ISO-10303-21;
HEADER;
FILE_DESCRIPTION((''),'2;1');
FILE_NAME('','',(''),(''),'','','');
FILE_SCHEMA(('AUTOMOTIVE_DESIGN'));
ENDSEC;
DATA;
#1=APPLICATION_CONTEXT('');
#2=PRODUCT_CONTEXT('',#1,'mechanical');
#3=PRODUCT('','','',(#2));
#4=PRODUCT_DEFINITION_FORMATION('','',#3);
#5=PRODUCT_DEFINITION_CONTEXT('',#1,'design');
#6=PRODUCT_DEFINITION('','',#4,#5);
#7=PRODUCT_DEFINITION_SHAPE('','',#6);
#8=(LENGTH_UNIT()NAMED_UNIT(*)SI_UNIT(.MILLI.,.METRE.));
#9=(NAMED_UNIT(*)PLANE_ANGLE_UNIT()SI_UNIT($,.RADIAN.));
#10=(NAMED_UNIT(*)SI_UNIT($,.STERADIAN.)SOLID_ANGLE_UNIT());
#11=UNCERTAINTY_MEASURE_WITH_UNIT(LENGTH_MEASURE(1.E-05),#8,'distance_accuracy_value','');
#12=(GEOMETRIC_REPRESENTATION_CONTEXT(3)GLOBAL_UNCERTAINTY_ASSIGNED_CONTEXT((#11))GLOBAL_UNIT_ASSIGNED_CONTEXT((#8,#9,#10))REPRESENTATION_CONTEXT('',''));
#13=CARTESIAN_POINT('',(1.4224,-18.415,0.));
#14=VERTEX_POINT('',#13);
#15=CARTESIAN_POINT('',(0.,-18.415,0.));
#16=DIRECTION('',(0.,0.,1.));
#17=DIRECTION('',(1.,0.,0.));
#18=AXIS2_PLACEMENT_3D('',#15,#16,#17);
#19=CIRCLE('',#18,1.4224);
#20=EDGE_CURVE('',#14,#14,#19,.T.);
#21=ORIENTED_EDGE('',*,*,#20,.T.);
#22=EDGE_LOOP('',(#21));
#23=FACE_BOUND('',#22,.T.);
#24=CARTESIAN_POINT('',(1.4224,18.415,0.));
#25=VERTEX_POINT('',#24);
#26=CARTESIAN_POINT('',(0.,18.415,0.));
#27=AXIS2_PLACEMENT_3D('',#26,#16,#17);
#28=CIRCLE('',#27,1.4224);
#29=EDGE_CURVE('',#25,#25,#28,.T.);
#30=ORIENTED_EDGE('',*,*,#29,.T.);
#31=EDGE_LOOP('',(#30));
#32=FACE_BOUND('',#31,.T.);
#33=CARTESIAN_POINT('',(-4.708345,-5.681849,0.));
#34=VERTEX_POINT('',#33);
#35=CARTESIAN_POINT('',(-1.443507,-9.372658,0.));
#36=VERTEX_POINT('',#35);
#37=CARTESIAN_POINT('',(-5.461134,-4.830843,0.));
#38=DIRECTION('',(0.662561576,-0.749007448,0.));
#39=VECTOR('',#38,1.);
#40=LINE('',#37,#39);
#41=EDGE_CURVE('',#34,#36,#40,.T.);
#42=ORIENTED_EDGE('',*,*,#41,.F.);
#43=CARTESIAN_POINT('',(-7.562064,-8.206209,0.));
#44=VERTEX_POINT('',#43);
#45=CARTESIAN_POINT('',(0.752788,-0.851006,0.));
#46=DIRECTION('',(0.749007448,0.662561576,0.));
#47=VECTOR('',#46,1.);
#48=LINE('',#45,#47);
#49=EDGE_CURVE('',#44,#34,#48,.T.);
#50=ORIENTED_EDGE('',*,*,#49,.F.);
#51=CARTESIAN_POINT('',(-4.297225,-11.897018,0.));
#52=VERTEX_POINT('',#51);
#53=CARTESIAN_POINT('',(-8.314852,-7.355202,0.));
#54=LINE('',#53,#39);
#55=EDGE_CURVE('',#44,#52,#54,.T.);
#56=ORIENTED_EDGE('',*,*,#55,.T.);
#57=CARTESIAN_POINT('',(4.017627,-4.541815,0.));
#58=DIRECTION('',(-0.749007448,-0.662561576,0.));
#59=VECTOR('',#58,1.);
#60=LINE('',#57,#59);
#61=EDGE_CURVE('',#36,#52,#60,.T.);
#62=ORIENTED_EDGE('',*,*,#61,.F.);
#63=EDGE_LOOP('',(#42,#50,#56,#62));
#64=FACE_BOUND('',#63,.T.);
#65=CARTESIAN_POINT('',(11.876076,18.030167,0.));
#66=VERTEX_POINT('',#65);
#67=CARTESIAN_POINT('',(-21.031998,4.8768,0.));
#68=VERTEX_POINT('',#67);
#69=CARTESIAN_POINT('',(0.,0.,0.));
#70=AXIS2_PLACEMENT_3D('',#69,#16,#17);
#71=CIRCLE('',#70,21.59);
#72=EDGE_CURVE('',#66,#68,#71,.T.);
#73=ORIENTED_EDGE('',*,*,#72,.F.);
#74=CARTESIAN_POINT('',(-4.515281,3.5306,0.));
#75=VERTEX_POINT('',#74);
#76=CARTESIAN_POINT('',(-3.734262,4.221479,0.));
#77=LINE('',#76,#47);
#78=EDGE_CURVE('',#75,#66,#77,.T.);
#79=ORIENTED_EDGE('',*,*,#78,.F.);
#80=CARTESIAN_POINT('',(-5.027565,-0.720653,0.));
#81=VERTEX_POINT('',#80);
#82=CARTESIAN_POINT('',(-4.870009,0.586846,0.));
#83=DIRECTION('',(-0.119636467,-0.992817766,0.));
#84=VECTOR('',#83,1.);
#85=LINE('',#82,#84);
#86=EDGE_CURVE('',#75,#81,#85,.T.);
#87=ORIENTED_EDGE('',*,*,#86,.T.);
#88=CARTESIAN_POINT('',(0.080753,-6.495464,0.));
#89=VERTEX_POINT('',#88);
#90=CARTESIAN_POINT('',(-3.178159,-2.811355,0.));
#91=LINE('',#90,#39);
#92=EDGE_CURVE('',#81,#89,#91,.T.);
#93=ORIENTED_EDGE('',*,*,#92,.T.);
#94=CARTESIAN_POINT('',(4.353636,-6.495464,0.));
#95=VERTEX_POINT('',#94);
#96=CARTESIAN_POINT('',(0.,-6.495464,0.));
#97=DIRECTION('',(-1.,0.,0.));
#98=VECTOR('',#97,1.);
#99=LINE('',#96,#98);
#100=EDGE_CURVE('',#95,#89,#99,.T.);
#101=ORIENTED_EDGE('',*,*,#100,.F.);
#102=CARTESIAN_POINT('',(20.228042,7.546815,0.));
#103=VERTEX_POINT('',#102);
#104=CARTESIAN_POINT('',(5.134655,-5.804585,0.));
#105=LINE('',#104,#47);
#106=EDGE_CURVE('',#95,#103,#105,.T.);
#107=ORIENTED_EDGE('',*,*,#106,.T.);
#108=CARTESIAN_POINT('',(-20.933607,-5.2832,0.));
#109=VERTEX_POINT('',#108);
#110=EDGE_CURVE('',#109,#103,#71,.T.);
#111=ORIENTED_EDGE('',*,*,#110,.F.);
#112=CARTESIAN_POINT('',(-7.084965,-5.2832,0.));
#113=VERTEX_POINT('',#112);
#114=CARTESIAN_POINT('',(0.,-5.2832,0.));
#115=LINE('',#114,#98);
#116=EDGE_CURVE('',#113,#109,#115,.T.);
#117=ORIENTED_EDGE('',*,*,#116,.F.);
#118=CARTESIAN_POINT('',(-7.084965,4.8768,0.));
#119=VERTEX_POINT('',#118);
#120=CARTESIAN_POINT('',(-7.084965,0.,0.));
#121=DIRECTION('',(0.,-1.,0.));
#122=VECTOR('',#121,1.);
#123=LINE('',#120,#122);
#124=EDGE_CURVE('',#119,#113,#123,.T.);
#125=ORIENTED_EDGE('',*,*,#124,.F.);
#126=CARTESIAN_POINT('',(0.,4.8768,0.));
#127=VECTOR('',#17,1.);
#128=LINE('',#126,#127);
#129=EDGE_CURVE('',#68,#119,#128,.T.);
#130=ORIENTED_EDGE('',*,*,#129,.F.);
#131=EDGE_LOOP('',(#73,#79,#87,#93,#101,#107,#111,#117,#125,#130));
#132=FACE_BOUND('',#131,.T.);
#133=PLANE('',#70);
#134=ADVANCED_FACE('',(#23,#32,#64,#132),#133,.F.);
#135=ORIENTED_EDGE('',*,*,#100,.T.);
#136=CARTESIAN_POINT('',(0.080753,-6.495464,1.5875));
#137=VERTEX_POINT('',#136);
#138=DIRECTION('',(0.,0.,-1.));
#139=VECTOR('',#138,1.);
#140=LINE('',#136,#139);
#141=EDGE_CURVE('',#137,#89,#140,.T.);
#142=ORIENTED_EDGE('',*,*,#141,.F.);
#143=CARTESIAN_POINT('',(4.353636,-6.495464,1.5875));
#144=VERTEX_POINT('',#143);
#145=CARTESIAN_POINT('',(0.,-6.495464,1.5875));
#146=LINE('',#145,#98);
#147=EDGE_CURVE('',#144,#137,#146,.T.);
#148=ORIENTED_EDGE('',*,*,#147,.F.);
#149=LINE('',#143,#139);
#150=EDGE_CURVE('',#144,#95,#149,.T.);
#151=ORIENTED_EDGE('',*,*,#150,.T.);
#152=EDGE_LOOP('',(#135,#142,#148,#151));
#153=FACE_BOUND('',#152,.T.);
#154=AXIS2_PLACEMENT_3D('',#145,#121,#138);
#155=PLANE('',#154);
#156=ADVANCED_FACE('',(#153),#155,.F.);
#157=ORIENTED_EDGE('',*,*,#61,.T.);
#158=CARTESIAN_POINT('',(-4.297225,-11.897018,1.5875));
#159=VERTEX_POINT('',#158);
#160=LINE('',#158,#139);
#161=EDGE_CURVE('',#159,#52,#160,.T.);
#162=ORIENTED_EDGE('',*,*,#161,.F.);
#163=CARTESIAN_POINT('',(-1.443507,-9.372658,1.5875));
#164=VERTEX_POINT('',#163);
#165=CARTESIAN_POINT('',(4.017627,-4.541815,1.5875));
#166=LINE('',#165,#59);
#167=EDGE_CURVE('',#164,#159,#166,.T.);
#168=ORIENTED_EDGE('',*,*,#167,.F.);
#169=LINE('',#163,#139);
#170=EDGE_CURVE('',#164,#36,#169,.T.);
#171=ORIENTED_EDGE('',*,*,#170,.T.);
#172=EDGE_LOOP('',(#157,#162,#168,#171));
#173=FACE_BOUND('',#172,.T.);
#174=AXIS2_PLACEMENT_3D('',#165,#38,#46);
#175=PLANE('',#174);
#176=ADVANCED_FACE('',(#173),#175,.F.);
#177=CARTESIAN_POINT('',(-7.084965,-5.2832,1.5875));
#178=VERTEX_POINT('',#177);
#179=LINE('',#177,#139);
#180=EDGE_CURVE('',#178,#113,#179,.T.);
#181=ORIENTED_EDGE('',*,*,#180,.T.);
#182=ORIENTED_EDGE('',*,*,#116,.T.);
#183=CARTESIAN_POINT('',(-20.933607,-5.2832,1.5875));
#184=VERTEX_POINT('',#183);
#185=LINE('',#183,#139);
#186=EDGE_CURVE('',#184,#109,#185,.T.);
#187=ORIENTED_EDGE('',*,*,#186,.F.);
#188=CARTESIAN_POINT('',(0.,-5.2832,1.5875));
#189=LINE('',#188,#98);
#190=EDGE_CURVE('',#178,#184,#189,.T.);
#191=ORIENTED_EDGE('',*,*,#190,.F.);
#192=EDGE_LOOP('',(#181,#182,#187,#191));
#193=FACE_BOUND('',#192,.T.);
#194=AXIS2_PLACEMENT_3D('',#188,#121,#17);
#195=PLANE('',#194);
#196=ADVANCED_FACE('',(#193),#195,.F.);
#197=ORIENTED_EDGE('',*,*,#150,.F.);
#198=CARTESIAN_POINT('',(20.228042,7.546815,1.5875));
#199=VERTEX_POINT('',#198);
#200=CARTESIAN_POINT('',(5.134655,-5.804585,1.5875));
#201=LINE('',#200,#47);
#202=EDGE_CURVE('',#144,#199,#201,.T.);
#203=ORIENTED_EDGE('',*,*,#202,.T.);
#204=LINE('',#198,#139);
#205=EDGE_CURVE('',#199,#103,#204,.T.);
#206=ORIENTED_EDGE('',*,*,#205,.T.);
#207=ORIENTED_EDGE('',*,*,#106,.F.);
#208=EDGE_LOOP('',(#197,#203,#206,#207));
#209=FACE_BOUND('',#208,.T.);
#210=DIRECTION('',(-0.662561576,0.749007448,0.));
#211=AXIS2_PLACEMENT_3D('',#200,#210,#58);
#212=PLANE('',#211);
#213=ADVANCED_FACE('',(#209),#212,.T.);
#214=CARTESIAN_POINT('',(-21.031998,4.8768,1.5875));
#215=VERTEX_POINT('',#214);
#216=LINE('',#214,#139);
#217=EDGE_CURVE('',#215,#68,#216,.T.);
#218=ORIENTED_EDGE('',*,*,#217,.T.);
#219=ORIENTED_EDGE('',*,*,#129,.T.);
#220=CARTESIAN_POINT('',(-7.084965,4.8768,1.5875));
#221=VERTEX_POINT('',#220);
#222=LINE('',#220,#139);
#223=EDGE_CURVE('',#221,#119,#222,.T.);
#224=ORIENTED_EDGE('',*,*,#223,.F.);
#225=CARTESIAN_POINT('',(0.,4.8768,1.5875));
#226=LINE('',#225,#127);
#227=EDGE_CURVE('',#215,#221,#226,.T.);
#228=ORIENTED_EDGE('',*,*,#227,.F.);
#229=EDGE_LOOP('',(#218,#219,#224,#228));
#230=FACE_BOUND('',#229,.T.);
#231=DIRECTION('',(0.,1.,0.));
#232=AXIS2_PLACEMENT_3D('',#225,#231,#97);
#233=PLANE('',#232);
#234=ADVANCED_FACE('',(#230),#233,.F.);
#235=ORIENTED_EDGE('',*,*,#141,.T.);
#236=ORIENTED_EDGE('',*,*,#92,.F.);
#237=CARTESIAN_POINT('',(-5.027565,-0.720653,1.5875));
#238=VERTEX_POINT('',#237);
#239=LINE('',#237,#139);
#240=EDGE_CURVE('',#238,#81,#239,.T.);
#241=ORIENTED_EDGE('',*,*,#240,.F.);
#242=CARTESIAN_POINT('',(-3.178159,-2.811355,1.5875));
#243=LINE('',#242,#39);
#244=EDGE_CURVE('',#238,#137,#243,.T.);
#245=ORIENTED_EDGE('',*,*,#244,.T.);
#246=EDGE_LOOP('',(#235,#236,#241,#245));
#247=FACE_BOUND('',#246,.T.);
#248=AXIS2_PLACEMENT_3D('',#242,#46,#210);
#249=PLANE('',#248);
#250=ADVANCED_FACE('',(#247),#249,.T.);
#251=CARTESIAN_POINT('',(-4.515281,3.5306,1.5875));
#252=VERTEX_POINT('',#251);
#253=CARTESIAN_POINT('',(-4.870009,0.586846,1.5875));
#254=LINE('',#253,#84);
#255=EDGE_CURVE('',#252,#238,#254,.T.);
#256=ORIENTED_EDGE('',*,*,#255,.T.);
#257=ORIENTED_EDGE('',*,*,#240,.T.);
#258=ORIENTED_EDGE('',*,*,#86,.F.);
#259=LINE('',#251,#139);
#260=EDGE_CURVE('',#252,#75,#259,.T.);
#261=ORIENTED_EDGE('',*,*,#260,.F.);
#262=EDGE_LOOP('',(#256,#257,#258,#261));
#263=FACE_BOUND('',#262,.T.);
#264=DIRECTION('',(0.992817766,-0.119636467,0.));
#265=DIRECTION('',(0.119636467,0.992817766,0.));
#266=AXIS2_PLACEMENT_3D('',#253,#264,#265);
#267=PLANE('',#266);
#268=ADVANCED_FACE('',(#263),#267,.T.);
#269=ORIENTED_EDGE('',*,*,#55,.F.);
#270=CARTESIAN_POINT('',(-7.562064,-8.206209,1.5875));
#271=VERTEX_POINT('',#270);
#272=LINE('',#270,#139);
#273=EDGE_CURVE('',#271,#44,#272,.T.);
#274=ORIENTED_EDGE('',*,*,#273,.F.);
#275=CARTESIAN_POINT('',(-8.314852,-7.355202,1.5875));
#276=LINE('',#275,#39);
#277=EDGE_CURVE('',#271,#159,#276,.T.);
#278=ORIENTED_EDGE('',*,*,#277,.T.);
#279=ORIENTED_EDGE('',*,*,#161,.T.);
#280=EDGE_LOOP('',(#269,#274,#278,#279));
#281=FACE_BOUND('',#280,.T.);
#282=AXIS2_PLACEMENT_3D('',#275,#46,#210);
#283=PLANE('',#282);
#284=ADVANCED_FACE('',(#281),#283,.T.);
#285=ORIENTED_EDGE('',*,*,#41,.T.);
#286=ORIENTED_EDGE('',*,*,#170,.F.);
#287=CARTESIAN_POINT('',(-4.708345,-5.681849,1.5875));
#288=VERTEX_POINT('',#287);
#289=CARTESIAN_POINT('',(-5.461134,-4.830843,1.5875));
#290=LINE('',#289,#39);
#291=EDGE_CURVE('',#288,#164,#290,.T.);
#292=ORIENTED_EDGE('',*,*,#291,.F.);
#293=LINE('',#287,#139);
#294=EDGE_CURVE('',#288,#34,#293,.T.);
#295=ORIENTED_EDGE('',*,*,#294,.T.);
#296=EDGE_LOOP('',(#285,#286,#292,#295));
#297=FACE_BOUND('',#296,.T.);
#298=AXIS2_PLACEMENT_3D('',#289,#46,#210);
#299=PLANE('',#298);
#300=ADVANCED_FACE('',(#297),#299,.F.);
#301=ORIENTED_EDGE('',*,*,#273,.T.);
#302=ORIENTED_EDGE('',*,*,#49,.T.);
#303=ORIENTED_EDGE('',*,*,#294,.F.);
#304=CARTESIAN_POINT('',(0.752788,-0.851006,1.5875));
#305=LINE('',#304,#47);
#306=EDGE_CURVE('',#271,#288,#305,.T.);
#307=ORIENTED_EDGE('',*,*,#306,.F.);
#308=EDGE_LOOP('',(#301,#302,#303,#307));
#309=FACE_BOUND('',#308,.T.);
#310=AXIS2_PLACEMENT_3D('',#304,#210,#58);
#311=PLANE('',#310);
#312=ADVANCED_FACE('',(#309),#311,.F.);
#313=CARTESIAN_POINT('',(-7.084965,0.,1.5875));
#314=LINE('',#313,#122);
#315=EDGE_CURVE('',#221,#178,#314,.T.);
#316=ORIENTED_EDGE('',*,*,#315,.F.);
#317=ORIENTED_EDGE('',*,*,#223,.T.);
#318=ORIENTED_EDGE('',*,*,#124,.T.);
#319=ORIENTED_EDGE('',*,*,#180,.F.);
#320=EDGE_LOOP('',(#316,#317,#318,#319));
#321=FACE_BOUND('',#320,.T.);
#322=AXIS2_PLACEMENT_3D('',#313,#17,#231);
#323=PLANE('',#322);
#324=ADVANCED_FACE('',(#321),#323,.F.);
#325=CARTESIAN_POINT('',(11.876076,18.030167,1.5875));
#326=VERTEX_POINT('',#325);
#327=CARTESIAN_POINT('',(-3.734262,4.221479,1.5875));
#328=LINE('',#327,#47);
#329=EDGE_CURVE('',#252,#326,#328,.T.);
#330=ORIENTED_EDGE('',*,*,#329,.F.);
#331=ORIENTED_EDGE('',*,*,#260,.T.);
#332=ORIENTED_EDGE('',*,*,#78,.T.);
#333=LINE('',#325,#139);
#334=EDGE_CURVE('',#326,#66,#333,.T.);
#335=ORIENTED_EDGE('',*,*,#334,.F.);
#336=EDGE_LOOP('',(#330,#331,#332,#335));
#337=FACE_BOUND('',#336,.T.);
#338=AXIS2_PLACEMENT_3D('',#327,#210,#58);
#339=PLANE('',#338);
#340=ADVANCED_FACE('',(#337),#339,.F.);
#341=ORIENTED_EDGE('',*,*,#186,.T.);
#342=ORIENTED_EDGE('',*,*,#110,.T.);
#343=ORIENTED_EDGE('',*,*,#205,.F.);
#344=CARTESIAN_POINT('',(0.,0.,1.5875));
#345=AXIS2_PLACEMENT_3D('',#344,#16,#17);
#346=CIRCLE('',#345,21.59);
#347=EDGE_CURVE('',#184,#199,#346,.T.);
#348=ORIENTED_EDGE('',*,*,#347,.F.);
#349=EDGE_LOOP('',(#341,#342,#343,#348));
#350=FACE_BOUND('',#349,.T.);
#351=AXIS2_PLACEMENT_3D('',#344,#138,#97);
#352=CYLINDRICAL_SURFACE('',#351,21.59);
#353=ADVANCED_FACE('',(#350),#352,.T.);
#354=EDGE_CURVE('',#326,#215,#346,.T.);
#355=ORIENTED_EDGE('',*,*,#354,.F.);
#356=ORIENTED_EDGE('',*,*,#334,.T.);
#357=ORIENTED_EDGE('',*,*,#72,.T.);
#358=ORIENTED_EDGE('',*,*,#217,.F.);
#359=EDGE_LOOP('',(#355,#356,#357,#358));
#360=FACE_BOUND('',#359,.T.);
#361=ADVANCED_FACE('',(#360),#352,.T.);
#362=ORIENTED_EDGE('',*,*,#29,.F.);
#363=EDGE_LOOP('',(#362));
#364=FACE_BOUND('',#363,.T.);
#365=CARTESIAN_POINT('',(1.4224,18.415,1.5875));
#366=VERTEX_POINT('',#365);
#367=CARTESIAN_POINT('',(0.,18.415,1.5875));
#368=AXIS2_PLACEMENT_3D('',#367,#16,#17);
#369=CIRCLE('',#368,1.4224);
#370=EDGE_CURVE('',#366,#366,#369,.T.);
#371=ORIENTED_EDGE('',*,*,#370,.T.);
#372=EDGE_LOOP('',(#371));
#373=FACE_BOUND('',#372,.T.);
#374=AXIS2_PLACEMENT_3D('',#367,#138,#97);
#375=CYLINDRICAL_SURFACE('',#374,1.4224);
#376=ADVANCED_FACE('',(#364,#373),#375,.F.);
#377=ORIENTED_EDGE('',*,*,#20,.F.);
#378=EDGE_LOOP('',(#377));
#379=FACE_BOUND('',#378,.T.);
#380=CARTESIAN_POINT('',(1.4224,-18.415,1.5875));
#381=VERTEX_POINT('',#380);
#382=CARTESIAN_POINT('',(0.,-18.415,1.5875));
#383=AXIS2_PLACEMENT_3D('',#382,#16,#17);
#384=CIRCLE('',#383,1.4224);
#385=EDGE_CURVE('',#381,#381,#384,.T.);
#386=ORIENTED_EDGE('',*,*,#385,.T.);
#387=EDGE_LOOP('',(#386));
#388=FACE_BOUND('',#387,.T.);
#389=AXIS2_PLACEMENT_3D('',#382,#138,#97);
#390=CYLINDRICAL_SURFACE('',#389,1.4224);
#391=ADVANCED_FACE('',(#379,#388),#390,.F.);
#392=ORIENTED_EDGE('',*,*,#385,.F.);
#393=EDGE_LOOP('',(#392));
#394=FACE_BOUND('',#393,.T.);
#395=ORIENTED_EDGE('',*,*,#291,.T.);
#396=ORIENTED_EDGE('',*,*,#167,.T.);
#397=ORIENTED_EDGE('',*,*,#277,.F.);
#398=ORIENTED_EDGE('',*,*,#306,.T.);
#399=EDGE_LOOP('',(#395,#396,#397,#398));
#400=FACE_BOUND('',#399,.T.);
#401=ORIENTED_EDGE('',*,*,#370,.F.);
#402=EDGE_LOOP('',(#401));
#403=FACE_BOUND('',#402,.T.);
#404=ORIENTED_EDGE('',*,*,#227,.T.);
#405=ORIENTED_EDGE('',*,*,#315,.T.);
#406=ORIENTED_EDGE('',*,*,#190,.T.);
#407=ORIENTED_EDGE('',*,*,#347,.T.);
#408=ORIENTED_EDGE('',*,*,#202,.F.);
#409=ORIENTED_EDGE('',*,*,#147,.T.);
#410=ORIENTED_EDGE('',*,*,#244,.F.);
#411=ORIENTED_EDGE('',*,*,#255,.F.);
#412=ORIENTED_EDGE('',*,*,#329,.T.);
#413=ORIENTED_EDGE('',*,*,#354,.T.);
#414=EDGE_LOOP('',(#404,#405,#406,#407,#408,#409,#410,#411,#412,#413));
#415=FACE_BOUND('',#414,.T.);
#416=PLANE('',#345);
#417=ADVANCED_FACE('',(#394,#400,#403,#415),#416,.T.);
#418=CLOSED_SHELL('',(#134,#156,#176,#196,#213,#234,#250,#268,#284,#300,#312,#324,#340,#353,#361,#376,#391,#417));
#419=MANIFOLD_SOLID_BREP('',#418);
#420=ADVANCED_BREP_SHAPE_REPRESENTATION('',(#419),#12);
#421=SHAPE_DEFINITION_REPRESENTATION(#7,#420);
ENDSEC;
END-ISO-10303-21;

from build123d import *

# Parameters (mm, degrees)
SKETCH1_R           = 1.4224
BOSS_EXTRUDE1_DEPTH = 1.5875


with BuildPart() as part:
    # Sketch1 → Boss-Extrude1 (new body)
    with BuildSketch(Plane.XY):
        with BuildLine():
            Line((-5.027565338, -0.720652536), (-4.515281158, 3.5306))
            Line((-4.515281158, 3.5306), (11.876076152, 18.030166811))
            ThreePointArc((11.876076152, 18.030166811), (-8.013144755, 20.047882959), (-21.031997569, 4.8768))
            Line((-21.031997569, 4.8768), (-7.084965338, 4.8768))
            Line((-7.084965338, 4.8768), (-7.084965338, -5.2832))
            Line((-7.084965338, -5.2832), (-20.933606898, -5.2832))
            ThreePointArc((-20.933606898, -5.2832), (2.661909754, -21.425273311), (21.59, 0))
            ThreePointArc((21.59, 0), (21.246782402, 3.834362733), (20.228041911, 7.546815251))
            Line((20.228041911, 7.546815251), (4.353635591, -6.495463901))
            Line((4.353635591, -6.495463901), (0.080752517, -6.495463901))
            Line((0.080752517, -6.495463901), (-5.027565338, -0.720652536))
        make_face()
        with Locations((0, -18.415)):
            Circle(SKETCH1_R, mode=Mode.SUBTRACT)
        Polygon((-7.562063797, -8.206208525), (-4.708345419, -5.681848919), (-1.443506996, -9.372658021), (-4.297225374, -11.897017627), align=None, mode=Mode.SUBTRACT)
        with Locations((0, 18.415)):
            Circle(SKETCH1_R, mode=Mode.SUBTRACT)
    extrude(amount=BOSS_EXTRUDE1_DEPTH)


solid = part.part
